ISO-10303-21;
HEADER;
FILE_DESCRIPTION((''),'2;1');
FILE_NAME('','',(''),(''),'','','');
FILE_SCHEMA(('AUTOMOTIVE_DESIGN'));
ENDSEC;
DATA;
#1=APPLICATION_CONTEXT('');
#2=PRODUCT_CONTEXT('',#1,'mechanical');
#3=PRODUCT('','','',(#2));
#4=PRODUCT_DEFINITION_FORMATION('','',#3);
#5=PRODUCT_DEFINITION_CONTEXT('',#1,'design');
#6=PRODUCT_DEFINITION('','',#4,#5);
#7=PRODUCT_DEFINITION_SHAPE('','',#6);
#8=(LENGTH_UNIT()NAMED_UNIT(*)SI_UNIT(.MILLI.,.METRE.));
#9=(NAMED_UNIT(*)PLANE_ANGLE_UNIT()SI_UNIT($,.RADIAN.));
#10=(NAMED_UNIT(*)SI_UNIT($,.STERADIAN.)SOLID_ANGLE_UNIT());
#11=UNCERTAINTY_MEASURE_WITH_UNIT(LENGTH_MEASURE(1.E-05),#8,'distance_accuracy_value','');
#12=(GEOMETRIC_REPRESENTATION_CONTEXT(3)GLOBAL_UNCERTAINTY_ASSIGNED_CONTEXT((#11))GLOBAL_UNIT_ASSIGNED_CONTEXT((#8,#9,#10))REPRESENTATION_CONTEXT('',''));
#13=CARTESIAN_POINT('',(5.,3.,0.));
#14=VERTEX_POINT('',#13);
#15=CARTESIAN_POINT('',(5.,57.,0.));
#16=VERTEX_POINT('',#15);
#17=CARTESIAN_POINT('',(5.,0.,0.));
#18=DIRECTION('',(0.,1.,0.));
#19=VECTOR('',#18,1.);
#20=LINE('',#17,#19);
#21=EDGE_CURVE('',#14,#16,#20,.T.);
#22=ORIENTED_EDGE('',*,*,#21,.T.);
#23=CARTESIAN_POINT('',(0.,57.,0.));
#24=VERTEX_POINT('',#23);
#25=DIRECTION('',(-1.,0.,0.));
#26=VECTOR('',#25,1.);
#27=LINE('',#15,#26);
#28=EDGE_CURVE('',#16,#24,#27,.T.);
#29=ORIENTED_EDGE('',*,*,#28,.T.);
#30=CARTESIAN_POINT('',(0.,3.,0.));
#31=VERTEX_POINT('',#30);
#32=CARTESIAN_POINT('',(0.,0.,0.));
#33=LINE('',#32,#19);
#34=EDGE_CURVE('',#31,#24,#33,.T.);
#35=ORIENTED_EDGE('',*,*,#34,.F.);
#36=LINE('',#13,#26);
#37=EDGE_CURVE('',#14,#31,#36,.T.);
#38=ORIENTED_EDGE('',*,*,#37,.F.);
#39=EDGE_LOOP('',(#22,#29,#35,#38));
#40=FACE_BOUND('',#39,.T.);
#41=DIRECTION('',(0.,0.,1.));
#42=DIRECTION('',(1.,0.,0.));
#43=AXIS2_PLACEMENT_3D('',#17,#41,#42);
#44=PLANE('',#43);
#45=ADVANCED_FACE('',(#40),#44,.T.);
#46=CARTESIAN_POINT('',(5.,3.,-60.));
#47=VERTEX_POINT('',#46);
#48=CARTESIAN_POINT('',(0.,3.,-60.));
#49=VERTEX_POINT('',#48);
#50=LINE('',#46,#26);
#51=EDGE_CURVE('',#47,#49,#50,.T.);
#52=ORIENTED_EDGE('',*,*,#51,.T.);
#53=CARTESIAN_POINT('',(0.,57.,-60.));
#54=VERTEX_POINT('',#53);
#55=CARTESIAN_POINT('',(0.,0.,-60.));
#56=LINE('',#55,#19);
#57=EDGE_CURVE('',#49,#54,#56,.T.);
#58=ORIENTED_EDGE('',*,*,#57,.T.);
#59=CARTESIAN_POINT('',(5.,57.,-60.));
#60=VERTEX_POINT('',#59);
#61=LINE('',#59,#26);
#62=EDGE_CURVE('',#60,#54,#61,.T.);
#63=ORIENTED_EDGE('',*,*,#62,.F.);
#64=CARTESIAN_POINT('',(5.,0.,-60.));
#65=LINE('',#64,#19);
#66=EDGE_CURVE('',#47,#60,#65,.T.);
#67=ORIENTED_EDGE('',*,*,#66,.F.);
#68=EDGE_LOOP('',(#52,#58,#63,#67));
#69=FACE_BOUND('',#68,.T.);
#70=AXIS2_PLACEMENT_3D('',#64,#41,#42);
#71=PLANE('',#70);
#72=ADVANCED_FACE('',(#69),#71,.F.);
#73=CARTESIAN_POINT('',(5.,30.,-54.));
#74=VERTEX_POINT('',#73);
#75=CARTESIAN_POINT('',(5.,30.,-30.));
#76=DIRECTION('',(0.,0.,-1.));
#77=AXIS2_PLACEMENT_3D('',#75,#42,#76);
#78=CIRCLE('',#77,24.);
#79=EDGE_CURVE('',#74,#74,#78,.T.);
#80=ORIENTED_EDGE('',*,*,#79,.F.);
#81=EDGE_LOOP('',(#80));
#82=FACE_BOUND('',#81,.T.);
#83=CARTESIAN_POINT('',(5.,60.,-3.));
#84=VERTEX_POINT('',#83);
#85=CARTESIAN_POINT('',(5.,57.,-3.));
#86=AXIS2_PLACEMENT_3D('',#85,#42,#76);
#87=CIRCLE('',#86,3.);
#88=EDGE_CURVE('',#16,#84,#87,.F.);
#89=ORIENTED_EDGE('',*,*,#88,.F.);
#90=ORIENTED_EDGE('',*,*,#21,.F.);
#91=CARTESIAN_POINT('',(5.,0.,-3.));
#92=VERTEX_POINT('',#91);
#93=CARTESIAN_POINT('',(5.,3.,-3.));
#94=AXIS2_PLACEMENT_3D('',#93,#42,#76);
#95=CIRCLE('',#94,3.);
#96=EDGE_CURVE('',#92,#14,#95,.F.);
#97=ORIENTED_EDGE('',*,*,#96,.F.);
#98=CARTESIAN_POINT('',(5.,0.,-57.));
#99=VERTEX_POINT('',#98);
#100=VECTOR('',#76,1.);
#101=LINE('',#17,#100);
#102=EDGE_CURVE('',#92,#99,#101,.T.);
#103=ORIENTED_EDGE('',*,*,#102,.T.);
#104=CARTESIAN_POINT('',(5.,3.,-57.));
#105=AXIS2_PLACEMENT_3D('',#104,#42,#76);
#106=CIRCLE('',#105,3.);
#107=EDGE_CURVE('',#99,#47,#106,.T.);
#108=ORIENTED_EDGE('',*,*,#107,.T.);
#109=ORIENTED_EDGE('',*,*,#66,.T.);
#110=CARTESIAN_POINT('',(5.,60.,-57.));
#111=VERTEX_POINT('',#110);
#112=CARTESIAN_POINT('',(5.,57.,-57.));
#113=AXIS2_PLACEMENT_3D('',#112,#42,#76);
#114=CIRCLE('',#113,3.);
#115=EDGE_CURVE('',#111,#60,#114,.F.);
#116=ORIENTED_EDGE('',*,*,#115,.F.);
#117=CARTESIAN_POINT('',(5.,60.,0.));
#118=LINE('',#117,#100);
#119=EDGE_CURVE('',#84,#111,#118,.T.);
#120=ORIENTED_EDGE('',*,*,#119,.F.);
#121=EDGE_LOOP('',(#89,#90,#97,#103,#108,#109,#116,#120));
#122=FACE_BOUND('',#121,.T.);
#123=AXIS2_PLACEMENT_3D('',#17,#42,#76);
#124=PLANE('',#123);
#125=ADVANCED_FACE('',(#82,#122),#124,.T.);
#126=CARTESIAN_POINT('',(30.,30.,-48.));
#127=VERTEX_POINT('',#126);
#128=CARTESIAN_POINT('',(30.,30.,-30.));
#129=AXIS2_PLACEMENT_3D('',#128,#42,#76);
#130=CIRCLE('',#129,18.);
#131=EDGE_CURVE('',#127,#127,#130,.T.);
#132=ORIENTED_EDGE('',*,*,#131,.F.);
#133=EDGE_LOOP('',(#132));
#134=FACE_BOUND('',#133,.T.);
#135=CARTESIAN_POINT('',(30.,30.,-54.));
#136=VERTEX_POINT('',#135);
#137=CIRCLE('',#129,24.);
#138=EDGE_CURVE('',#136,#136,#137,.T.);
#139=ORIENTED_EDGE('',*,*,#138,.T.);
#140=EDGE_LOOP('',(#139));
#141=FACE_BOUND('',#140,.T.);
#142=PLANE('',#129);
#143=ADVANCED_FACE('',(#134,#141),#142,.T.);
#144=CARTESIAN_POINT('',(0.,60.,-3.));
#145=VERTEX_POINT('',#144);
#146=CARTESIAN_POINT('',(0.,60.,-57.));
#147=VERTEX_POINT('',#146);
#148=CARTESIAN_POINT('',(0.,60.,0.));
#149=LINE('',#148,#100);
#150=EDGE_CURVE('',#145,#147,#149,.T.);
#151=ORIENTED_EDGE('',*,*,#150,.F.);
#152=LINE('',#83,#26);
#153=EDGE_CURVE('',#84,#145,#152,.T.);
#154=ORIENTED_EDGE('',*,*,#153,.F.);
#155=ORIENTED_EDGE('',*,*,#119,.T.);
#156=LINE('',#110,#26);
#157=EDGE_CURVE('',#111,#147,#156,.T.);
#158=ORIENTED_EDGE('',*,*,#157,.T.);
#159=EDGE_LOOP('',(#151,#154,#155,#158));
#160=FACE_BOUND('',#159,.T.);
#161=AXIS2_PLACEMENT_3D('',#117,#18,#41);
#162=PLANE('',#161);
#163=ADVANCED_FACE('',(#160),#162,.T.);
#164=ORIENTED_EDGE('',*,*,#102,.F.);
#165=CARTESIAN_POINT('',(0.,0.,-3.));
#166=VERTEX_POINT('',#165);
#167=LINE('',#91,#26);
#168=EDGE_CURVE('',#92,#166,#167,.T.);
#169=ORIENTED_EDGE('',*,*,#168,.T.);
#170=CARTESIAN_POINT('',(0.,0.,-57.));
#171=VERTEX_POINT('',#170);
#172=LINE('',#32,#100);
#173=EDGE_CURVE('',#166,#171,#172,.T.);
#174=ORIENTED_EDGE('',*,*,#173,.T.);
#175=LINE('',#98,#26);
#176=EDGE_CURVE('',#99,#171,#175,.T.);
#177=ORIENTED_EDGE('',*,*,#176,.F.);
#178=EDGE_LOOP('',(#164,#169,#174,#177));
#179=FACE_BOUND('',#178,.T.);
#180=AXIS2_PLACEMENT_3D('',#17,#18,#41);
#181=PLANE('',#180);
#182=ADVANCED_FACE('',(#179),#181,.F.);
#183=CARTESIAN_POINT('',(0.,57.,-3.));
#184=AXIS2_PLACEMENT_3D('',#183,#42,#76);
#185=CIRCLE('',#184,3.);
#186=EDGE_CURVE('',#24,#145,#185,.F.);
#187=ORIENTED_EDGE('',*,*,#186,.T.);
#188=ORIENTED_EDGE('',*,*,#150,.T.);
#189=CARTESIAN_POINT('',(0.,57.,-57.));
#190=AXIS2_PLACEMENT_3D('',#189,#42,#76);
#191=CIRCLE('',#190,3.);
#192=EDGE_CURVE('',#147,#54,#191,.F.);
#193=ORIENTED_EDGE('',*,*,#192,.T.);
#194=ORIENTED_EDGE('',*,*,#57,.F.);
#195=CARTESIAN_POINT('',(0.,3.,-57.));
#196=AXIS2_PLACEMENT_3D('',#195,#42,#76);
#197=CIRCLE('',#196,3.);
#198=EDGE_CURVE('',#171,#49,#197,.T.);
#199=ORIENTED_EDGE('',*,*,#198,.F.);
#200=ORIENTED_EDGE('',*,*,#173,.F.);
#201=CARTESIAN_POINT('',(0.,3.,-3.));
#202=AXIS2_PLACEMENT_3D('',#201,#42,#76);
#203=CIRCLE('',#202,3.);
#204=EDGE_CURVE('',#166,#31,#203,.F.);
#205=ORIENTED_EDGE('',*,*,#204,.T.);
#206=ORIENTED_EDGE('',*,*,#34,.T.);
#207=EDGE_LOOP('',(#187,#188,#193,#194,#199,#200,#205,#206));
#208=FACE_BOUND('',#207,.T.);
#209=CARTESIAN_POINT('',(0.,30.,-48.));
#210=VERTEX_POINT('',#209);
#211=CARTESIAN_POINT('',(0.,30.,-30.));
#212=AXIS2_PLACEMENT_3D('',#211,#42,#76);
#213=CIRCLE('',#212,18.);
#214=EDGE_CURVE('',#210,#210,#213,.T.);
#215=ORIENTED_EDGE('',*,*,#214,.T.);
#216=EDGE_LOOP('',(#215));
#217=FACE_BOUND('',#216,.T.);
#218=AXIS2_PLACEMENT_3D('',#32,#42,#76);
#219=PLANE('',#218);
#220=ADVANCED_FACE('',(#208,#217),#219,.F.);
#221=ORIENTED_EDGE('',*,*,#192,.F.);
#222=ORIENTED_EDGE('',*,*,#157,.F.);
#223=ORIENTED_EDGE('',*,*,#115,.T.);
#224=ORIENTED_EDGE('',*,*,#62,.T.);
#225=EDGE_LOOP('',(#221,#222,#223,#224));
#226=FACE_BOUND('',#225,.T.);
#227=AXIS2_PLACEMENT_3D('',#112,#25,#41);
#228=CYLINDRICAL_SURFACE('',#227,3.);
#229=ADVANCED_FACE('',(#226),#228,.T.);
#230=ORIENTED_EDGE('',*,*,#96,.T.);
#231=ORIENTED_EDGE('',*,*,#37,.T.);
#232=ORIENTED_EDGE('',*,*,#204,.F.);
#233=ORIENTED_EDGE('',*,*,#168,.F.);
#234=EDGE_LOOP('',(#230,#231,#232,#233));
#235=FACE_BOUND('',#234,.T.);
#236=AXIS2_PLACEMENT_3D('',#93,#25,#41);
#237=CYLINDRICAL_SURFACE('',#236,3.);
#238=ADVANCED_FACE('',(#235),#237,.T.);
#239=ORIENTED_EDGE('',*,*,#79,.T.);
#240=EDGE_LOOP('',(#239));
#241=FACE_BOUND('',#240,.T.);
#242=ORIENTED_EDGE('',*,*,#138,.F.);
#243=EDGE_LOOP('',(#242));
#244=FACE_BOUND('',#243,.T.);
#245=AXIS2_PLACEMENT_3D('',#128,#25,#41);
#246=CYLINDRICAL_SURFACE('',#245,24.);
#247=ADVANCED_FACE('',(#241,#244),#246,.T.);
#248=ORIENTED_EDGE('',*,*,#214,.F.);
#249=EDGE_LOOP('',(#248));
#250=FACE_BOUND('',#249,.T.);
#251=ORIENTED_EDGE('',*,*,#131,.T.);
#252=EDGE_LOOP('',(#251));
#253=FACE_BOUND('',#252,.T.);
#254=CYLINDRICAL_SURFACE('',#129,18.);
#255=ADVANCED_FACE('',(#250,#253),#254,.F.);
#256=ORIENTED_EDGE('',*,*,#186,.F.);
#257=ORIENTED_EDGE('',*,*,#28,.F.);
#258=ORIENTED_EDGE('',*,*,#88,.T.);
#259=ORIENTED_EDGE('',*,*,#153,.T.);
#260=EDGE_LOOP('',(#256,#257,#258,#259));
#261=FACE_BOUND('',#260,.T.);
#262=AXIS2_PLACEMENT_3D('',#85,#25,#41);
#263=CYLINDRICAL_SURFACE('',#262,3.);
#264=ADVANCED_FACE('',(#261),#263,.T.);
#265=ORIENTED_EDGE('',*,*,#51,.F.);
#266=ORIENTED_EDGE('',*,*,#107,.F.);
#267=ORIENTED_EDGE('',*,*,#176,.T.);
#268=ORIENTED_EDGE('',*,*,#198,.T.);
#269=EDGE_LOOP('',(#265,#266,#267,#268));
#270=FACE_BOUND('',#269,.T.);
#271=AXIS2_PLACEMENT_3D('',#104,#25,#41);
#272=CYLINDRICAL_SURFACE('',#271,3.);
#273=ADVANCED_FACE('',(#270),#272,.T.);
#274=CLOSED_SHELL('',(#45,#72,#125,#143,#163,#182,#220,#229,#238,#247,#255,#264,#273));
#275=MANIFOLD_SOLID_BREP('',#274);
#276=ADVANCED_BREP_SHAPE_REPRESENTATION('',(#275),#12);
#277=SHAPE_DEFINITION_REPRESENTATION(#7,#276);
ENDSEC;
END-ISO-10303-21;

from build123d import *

# Parameters (mm, degrees)
DODANIE_WYCI_GNI_CIE1_DEPTH = 5
SZKIC3_R                    = 24
DODANIE_WYCI_GNI_CIE2_DEPTH = 25
OTW_R_36_0_36_1_D           = 36


with BuildPart() as part:
    # Szkic2 → Dodanie-wyciągnięcie1 (new body)
    with BuildSketch(Plane(origin=(0, 0, 0), x_dir=(0, 0, -1), z_dir=(1, 0, 0))):
        with BuildLine():
            ThreePointArc((0, 57), (0.878679656, 59.121320344), (3, 60))
            Line((3, 60), (57, 60))
            ThreePointArc((57, 60), (59.121320344, 59.121320344), (60, 57))
            Line((60, 57), (60, 3))
            ThreePointArc((60, 3), (59.121320344, 0.878679656), (57, 0))
            Line((57, 0), (3, 0))
            ThreePointArc((3, 0), (0.878679656, 0.878679656), (0, 3))
            Line((0, 3), (0, 57))
        make_face()
    extrude(amount=DODANIE_WYCI_GNI_CIE1_DEPTH)

    # Szkic3 → Dodanie-wyciągnięcie2 (add)
    with BuildSketch(Plane(origin=(5, 0, 0), x_dir=(0, 0, -1), z_dir=(1, 0, 0))):
        with Locations((30, 30)):
            Circle(SZKIC3_R)
    extrude(amount=DODANIE_WYCI_GNI_CIE2_DEPTH)

    # Otwór Ø36.0 (36)1 (through all)
    with Locations(Plane(origin=(30, 0, 0), x_dir=(0, 0, -1), z_dir=(1, 0, 0))):
        with Locations((30, 30)):
            Hole(OTW_R_36_0_36_1_D / 2)


solid = part.part
